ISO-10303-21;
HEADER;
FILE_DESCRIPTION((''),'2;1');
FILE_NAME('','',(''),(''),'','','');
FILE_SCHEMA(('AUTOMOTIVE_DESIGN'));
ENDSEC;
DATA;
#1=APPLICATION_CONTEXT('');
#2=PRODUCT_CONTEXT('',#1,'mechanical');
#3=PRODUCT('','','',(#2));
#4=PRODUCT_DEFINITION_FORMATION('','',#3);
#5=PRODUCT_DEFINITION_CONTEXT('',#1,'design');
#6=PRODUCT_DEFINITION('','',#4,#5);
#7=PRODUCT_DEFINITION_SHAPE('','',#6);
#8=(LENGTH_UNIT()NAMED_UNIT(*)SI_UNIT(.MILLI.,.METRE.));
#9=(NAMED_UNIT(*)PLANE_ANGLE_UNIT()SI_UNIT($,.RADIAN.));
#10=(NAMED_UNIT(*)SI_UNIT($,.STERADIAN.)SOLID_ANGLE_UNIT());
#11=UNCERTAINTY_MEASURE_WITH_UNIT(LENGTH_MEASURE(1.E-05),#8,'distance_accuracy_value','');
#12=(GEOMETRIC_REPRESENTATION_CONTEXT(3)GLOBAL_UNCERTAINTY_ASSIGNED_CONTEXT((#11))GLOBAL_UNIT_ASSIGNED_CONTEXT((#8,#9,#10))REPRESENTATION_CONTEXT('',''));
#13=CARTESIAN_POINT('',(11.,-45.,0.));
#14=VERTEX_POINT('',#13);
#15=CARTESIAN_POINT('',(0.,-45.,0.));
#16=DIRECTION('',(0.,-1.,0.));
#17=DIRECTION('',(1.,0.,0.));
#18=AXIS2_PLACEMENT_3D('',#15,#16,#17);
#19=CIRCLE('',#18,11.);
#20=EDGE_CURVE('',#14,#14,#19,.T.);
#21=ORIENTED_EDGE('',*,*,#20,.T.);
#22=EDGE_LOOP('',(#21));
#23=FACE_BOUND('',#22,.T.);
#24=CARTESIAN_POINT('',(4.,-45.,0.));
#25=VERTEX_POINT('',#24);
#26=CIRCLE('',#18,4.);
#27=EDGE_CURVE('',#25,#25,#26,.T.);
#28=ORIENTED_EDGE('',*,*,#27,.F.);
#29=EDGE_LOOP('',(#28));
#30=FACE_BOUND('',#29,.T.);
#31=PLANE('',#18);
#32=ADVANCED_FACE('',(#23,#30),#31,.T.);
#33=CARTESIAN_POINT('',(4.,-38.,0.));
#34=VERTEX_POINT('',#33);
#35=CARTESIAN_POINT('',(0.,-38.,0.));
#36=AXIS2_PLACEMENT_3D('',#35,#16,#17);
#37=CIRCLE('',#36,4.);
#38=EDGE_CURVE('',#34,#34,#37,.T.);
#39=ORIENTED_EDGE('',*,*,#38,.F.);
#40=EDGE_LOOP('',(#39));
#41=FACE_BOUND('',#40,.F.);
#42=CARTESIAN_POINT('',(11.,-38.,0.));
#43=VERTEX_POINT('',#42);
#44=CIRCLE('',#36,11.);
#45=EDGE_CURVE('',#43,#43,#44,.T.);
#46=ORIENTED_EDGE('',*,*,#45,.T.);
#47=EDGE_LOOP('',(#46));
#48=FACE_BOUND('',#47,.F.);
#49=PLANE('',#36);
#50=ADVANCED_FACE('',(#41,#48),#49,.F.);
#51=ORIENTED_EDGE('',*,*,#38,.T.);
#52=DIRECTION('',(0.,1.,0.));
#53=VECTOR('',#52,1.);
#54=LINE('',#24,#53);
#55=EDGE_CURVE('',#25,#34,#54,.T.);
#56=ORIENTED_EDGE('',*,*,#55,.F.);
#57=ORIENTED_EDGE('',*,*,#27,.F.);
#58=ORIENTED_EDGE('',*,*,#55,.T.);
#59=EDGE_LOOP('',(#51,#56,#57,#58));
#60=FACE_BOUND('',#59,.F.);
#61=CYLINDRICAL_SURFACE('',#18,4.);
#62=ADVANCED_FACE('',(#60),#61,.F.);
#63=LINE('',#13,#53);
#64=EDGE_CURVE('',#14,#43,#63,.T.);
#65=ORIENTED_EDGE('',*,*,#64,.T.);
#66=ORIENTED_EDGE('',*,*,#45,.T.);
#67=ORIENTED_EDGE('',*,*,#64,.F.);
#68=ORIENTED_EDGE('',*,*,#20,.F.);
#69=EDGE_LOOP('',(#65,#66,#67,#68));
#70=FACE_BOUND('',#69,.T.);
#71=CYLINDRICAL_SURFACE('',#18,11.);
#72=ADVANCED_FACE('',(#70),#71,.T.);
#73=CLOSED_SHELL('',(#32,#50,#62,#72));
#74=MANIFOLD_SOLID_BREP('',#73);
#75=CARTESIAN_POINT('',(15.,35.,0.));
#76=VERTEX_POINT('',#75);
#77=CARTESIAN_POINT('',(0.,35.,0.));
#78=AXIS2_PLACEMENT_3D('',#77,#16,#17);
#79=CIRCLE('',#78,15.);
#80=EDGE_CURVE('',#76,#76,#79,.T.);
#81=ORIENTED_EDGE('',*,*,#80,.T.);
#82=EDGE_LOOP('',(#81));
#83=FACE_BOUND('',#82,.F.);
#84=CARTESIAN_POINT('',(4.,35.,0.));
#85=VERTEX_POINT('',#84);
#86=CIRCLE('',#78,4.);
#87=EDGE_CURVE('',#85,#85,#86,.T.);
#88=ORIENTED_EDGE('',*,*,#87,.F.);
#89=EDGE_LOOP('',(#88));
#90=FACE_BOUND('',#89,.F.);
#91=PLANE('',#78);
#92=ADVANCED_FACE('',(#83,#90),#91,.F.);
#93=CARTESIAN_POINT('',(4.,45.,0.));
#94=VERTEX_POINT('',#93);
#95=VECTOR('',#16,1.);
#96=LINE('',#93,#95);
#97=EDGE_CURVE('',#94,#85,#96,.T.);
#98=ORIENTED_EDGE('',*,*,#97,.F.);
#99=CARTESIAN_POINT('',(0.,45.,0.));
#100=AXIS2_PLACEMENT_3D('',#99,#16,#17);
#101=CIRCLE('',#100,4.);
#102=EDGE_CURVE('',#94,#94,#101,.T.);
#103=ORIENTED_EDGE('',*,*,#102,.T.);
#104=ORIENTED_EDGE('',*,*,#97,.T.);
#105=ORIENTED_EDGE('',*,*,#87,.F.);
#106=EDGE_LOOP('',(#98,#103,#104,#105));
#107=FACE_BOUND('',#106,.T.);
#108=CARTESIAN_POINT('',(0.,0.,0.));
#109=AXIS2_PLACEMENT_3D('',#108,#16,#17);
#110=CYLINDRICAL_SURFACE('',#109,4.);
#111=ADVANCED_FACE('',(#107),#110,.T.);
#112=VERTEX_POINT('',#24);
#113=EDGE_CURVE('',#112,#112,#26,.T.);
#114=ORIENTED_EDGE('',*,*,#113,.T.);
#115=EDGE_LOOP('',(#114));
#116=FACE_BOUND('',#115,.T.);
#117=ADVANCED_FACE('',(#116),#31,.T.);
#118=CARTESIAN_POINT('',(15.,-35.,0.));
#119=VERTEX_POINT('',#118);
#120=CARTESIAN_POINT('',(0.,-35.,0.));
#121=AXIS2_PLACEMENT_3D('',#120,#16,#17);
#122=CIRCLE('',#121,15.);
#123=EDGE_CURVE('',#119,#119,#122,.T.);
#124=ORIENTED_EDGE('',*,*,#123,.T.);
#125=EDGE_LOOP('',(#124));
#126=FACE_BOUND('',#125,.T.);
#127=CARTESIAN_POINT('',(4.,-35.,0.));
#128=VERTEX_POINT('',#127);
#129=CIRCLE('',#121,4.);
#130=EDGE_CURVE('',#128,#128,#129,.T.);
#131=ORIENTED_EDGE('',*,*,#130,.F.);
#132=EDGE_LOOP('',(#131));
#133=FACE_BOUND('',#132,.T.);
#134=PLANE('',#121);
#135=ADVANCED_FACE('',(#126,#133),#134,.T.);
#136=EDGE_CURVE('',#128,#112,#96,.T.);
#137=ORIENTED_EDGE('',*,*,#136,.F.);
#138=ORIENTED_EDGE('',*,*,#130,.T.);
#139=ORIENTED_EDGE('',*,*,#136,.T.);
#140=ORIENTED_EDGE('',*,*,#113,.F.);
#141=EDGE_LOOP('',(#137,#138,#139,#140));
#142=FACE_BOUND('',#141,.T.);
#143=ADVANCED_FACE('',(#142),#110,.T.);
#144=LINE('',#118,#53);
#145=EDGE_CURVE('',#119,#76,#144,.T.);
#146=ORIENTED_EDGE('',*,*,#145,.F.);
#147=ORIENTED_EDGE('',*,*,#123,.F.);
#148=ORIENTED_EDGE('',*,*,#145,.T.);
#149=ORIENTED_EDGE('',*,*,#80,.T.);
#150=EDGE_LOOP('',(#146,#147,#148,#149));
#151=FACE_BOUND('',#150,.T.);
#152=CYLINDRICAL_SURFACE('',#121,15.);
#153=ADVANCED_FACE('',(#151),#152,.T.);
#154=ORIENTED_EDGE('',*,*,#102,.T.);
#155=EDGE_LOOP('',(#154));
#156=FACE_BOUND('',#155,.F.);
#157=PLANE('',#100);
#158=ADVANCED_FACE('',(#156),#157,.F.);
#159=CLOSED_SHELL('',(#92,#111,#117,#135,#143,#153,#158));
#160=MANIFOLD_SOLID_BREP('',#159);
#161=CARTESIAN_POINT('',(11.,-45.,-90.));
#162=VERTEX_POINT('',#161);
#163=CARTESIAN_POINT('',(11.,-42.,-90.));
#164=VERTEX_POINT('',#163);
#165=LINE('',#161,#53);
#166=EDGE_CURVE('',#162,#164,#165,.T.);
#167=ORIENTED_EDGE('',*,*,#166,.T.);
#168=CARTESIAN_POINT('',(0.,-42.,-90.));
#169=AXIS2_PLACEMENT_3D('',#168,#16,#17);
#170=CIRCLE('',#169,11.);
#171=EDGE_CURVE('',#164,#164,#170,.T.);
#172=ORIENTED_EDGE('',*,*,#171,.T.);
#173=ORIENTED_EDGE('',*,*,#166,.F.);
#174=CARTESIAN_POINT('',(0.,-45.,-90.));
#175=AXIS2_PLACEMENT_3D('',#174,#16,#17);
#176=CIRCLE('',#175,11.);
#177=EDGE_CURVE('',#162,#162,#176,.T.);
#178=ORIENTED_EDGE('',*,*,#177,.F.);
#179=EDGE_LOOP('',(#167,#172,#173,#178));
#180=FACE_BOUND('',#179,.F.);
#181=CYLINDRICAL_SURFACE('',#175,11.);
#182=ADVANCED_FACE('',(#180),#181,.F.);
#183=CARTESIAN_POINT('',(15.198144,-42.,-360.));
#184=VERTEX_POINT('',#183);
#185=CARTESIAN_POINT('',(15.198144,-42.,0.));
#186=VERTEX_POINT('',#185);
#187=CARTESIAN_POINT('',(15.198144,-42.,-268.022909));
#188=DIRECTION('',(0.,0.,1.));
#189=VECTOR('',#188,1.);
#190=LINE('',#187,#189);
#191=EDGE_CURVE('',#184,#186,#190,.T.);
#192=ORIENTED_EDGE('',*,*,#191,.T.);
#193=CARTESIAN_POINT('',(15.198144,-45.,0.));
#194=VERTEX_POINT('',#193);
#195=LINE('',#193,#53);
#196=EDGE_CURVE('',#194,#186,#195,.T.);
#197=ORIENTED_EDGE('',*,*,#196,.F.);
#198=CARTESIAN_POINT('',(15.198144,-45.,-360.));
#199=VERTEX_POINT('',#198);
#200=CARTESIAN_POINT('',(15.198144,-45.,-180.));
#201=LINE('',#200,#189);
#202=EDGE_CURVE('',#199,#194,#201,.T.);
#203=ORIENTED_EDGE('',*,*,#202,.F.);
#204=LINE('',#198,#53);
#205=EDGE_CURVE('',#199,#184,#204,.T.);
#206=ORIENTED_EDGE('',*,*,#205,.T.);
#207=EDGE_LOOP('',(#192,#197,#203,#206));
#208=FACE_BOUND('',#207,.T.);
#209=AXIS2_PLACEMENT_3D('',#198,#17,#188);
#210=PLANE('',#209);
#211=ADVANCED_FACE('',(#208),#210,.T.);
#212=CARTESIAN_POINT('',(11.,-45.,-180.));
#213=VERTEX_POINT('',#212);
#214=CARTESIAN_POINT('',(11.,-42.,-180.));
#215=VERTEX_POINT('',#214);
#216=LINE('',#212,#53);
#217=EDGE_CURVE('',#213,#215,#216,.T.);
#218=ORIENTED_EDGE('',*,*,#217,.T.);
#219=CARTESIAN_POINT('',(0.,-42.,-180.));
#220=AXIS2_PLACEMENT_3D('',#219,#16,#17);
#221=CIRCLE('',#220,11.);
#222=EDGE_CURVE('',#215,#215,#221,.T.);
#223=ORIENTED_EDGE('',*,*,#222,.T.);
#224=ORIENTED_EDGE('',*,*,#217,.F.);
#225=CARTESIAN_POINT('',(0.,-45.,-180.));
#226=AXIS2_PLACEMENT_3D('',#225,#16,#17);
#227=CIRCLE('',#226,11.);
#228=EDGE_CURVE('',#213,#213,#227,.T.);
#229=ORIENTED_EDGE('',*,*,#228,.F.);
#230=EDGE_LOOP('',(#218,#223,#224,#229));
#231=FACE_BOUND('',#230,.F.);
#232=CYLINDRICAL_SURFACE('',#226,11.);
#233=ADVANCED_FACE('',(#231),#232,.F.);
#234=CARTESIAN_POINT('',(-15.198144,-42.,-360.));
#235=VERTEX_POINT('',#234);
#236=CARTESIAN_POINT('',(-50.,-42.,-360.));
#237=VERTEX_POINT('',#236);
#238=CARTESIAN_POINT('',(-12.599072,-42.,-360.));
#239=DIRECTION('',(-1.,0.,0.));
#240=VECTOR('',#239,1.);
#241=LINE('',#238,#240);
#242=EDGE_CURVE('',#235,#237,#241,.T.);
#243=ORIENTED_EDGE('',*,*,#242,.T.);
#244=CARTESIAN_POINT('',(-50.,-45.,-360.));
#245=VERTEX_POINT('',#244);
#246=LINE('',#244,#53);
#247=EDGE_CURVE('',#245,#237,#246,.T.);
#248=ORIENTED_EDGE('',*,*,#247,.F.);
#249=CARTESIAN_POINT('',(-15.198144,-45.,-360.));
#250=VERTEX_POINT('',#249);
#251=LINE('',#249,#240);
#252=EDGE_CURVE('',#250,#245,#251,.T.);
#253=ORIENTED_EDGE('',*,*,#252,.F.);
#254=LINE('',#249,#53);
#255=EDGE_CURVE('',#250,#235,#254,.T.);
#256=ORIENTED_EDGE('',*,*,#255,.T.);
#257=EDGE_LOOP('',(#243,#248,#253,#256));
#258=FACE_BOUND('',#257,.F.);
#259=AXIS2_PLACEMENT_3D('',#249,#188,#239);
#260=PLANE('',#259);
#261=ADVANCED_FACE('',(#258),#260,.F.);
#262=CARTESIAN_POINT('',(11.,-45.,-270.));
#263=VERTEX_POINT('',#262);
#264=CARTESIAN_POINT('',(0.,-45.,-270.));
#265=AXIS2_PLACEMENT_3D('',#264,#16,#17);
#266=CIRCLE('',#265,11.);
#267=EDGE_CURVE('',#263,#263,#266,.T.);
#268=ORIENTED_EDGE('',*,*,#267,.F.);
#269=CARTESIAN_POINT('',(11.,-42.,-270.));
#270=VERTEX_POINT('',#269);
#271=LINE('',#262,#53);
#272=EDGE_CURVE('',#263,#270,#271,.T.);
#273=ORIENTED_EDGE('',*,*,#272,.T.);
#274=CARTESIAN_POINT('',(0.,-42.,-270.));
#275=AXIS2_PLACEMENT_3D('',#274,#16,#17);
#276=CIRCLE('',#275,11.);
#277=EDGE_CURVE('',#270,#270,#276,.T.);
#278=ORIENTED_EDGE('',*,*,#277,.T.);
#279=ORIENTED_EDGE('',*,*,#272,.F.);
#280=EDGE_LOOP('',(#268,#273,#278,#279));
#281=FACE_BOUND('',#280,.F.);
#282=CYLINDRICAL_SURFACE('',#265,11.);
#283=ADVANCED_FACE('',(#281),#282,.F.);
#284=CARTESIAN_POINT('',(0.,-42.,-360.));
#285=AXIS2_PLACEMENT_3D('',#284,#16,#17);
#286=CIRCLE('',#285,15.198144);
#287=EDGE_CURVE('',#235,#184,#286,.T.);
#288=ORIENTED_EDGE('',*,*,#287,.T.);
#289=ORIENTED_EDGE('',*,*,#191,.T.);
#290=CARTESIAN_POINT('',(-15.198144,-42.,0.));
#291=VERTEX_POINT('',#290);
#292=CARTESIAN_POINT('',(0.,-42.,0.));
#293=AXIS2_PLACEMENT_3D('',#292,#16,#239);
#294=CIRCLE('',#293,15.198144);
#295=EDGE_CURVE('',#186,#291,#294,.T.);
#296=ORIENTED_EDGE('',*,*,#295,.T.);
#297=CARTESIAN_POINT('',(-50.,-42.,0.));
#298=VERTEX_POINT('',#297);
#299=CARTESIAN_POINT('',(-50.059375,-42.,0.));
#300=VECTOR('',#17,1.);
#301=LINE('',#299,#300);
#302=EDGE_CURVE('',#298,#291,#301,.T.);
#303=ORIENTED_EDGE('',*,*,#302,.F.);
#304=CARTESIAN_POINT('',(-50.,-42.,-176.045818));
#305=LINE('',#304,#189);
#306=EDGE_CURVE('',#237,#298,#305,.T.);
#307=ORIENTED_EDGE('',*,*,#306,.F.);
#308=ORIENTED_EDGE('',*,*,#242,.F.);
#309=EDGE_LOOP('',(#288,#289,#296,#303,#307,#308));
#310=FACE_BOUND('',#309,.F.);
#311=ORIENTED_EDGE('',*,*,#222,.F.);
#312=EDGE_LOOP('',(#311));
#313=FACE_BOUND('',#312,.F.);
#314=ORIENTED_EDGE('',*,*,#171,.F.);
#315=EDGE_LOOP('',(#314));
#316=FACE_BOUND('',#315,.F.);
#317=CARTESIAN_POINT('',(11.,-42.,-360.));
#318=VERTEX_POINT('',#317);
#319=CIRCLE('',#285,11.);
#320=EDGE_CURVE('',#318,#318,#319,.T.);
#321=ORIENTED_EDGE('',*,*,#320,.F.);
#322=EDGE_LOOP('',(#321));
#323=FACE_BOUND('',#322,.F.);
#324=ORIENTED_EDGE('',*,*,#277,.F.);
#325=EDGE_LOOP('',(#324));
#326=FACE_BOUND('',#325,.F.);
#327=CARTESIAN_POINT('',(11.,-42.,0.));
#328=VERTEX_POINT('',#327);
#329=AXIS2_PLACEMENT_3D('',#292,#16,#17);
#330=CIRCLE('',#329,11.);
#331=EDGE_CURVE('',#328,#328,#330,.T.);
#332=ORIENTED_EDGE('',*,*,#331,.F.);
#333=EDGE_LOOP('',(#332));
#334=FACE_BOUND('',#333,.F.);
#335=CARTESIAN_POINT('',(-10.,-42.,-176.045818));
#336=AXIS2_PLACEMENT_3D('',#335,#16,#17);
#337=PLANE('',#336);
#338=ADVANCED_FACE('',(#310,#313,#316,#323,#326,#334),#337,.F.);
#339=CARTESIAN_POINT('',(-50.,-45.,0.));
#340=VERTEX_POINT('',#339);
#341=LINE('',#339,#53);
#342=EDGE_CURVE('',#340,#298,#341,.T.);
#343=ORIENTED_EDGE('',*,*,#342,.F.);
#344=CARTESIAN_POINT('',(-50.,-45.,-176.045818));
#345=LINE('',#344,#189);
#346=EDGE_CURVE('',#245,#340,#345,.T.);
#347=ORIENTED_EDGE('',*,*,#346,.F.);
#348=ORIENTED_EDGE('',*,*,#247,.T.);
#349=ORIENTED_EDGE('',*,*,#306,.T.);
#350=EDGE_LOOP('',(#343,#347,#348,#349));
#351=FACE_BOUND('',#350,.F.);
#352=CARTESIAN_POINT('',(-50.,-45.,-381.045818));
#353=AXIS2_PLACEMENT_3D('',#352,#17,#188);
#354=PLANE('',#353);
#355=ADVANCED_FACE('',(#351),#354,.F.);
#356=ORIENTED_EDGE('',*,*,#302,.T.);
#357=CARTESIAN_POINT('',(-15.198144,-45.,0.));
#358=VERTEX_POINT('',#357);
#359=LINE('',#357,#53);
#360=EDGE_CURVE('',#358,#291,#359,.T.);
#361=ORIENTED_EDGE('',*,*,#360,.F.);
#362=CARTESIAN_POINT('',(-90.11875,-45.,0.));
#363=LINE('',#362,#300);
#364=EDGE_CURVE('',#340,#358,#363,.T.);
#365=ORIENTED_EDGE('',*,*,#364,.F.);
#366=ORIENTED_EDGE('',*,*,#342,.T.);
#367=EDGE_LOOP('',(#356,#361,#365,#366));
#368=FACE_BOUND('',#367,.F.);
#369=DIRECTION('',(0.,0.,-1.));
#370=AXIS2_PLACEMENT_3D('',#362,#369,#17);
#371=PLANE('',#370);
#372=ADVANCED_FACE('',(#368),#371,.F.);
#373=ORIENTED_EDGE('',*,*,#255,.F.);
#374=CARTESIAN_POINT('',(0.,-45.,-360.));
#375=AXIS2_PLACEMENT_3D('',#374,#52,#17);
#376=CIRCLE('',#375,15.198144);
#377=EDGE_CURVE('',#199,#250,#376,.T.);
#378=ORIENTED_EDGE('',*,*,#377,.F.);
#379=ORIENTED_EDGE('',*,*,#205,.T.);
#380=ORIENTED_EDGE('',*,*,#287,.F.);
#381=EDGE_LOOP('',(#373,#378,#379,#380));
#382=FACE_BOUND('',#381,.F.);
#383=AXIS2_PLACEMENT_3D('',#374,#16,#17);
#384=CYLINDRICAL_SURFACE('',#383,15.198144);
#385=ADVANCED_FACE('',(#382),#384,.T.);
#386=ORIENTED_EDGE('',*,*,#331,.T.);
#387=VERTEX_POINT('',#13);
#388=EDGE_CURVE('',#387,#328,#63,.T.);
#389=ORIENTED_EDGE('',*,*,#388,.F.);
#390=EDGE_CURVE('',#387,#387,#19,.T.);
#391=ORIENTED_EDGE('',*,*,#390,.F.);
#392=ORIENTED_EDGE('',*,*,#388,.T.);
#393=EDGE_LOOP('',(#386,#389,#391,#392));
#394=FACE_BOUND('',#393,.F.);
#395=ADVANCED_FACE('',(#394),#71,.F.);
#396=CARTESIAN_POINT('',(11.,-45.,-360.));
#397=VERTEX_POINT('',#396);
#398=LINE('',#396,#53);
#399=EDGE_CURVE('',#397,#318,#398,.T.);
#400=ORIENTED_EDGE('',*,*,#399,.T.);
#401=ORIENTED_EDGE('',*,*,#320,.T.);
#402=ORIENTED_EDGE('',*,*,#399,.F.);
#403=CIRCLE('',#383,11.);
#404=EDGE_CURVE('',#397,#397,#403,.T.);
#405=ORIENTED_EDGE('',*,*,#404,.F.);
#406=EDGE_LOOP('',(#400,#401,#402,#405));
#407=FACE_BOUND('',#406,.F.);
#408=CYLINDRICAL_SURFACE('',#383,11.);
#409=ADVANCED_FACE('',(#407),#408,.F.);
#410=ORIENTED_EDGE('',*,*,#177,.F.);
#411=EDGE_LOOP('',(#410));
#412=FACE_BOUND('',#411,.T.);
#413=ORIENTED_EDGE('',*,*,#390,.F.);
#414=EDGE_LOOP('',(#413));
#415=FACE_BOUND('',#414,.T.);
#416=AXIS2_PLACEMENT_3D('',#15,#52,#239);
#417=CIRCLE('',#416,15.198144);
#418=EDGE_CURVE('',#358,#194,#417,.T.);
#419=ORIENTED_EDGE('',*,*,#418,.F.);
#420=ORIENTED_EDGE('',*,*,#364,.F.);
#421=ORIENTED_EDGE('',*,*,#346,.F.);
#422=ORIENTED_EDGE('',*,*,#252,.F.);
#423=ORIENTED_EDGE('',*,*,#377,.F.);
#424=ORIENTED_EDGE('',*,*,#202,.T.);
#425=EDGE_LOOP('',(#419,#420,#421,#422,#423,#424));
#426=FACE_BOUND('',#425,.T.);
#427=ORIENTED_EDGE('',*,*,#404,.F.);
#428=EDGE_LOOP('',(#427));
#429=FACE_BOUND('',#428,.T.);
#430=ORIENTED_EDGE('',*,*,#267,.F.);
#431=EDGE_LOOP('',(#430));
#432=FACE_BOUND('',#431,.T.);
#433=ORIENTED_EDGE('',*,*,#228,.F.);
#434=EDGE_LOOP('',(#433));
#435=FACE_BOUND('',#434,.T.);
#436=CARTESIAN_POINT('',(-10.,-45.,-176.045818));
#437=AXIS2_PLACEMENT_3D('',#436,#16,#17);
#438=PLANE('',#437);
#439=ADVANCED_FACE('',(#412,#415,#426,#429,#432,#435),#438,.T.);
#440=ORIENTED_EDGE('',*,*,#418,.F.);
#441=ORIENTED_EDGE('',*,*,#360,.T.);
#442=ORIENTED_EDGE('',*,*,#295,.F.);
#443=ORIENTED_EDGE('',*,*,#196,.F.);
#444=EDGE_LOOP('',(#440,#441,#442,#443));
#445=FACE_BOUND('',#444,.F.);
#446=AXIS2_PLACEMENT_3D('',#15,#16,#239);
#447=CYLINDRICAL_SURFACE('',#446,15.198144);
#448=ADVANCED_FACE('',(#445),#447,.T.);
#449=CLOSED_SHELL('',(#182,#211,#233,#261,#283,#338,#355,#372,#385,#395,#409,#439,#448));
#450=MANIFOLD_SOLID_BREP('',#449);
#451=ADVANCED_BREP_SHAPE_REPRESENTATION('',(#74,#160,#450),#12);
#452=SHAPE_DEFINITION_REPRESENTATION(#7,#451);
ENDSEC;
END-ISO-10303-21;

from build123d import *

# Parameters (mm, degrees)
F0_R     = 4
F1_DEPTH = 45
F3_START = -10
F2_R     = 15
F3_DEPTH = 70
F4_R     = 11
F4_R_2   = 4
F5_DEPTH = 7
F6_W     = 80
F6_H     = 410
F6_R     = 11
F7_DEPTH = 3
F8_W     = 14.8018560397
F8_H     = 360
F9_DEPTH = 25


with BuildPart() as f1:
    # F0 (on Front) → F1 (new body, symmetric)
    with BuildSketch(Plane.XZ):
        Circle(F0_R)
    extrude(amount=F1_DEPTH, both=True)

    # F2 (on face) → F3 (join)
    with BuildSketch(Plane.XZ.offset(45).offset(F3_START)):
        Circle(F2_R)
    extrude(amount=-F3_DEPTH)


with BuildPart() as f5:
    # F4 (on face) → F5 (new body)
    with BuildSketch(Plane.XZ.offset(45)):
        Circle(F4_R)
        Circle(F4_R_2, mode=Mode.SUBTRACT)
    extrude(amount=-F5_DEPTH)


with BuildPart() as f7:
    # F6 (on face) → F7 (new body)
    with BuildSketch(Plane.XZ.offset(45)):
        with Locations((-10, -176.0458183289)):
            Rectangle(F6_W, F6_H)
        with Locations((0, -360)):
            Circle(F6_R, mode=Mode.SUBTRACT)
        with Locations((0, -270)):
            Circle(F6_R, mode=Mode.SUBTRACT)
        with Locations((0, -180)):
            Circle(F6_R, mode=Mode.SUBTRACT)
        with Locations((0, -90)):
            Circle(F6_R, mode=Mode.SUBTRACT)
        Circle(F6_R, mode=Mode.SUBTRACT)
    extrude(amount=-F7_DEPTH)

    # F8 (on face) → F9 (cut)
    with BuildSketch(Plane.XZ.offset(45)):
        with BuildLine():
            ThreePointArc((-15.1981439603, 0), (0, 15.1981439603), (15.1981439603, 0))
            Line((15.1981439603, 0), (30, 0))
            Line((30, 0), (30, 46.0360497236))
            Line((30, 46.0360497236), (-84.6897289157, 56.9662563503))
            Line((-84.6897289157, 56.9662563503), (-90.118749967, 0))
            Line((-90.118749967, 0), (-15.1981439603, 0))
        make_face()
        with Locations((22.5990719802, -180)):
            Rectangle(F8_W, F8_H)
        with BuildLine():
            Line((30, -360), (15.1981439603, -360))
            ThreePointArc((15.1981439603, -360), (0, -375.1981439603), (-15.1981439603, -360))
            Line((-15.1981439603, -360), (-50, -360))
            Line((-50, -360), (-50, -381.0458183289))
            Line((-50, -381.0458183289), (30, -381.0458183289))
            Line((30, -381.0458183289), (30, -360))
        make_face()
    extrude(amount=-F9_DEPTH, mode=Mode.SUBTRACT)


solid = Compound([f1.part, f5.part, f7.part])
